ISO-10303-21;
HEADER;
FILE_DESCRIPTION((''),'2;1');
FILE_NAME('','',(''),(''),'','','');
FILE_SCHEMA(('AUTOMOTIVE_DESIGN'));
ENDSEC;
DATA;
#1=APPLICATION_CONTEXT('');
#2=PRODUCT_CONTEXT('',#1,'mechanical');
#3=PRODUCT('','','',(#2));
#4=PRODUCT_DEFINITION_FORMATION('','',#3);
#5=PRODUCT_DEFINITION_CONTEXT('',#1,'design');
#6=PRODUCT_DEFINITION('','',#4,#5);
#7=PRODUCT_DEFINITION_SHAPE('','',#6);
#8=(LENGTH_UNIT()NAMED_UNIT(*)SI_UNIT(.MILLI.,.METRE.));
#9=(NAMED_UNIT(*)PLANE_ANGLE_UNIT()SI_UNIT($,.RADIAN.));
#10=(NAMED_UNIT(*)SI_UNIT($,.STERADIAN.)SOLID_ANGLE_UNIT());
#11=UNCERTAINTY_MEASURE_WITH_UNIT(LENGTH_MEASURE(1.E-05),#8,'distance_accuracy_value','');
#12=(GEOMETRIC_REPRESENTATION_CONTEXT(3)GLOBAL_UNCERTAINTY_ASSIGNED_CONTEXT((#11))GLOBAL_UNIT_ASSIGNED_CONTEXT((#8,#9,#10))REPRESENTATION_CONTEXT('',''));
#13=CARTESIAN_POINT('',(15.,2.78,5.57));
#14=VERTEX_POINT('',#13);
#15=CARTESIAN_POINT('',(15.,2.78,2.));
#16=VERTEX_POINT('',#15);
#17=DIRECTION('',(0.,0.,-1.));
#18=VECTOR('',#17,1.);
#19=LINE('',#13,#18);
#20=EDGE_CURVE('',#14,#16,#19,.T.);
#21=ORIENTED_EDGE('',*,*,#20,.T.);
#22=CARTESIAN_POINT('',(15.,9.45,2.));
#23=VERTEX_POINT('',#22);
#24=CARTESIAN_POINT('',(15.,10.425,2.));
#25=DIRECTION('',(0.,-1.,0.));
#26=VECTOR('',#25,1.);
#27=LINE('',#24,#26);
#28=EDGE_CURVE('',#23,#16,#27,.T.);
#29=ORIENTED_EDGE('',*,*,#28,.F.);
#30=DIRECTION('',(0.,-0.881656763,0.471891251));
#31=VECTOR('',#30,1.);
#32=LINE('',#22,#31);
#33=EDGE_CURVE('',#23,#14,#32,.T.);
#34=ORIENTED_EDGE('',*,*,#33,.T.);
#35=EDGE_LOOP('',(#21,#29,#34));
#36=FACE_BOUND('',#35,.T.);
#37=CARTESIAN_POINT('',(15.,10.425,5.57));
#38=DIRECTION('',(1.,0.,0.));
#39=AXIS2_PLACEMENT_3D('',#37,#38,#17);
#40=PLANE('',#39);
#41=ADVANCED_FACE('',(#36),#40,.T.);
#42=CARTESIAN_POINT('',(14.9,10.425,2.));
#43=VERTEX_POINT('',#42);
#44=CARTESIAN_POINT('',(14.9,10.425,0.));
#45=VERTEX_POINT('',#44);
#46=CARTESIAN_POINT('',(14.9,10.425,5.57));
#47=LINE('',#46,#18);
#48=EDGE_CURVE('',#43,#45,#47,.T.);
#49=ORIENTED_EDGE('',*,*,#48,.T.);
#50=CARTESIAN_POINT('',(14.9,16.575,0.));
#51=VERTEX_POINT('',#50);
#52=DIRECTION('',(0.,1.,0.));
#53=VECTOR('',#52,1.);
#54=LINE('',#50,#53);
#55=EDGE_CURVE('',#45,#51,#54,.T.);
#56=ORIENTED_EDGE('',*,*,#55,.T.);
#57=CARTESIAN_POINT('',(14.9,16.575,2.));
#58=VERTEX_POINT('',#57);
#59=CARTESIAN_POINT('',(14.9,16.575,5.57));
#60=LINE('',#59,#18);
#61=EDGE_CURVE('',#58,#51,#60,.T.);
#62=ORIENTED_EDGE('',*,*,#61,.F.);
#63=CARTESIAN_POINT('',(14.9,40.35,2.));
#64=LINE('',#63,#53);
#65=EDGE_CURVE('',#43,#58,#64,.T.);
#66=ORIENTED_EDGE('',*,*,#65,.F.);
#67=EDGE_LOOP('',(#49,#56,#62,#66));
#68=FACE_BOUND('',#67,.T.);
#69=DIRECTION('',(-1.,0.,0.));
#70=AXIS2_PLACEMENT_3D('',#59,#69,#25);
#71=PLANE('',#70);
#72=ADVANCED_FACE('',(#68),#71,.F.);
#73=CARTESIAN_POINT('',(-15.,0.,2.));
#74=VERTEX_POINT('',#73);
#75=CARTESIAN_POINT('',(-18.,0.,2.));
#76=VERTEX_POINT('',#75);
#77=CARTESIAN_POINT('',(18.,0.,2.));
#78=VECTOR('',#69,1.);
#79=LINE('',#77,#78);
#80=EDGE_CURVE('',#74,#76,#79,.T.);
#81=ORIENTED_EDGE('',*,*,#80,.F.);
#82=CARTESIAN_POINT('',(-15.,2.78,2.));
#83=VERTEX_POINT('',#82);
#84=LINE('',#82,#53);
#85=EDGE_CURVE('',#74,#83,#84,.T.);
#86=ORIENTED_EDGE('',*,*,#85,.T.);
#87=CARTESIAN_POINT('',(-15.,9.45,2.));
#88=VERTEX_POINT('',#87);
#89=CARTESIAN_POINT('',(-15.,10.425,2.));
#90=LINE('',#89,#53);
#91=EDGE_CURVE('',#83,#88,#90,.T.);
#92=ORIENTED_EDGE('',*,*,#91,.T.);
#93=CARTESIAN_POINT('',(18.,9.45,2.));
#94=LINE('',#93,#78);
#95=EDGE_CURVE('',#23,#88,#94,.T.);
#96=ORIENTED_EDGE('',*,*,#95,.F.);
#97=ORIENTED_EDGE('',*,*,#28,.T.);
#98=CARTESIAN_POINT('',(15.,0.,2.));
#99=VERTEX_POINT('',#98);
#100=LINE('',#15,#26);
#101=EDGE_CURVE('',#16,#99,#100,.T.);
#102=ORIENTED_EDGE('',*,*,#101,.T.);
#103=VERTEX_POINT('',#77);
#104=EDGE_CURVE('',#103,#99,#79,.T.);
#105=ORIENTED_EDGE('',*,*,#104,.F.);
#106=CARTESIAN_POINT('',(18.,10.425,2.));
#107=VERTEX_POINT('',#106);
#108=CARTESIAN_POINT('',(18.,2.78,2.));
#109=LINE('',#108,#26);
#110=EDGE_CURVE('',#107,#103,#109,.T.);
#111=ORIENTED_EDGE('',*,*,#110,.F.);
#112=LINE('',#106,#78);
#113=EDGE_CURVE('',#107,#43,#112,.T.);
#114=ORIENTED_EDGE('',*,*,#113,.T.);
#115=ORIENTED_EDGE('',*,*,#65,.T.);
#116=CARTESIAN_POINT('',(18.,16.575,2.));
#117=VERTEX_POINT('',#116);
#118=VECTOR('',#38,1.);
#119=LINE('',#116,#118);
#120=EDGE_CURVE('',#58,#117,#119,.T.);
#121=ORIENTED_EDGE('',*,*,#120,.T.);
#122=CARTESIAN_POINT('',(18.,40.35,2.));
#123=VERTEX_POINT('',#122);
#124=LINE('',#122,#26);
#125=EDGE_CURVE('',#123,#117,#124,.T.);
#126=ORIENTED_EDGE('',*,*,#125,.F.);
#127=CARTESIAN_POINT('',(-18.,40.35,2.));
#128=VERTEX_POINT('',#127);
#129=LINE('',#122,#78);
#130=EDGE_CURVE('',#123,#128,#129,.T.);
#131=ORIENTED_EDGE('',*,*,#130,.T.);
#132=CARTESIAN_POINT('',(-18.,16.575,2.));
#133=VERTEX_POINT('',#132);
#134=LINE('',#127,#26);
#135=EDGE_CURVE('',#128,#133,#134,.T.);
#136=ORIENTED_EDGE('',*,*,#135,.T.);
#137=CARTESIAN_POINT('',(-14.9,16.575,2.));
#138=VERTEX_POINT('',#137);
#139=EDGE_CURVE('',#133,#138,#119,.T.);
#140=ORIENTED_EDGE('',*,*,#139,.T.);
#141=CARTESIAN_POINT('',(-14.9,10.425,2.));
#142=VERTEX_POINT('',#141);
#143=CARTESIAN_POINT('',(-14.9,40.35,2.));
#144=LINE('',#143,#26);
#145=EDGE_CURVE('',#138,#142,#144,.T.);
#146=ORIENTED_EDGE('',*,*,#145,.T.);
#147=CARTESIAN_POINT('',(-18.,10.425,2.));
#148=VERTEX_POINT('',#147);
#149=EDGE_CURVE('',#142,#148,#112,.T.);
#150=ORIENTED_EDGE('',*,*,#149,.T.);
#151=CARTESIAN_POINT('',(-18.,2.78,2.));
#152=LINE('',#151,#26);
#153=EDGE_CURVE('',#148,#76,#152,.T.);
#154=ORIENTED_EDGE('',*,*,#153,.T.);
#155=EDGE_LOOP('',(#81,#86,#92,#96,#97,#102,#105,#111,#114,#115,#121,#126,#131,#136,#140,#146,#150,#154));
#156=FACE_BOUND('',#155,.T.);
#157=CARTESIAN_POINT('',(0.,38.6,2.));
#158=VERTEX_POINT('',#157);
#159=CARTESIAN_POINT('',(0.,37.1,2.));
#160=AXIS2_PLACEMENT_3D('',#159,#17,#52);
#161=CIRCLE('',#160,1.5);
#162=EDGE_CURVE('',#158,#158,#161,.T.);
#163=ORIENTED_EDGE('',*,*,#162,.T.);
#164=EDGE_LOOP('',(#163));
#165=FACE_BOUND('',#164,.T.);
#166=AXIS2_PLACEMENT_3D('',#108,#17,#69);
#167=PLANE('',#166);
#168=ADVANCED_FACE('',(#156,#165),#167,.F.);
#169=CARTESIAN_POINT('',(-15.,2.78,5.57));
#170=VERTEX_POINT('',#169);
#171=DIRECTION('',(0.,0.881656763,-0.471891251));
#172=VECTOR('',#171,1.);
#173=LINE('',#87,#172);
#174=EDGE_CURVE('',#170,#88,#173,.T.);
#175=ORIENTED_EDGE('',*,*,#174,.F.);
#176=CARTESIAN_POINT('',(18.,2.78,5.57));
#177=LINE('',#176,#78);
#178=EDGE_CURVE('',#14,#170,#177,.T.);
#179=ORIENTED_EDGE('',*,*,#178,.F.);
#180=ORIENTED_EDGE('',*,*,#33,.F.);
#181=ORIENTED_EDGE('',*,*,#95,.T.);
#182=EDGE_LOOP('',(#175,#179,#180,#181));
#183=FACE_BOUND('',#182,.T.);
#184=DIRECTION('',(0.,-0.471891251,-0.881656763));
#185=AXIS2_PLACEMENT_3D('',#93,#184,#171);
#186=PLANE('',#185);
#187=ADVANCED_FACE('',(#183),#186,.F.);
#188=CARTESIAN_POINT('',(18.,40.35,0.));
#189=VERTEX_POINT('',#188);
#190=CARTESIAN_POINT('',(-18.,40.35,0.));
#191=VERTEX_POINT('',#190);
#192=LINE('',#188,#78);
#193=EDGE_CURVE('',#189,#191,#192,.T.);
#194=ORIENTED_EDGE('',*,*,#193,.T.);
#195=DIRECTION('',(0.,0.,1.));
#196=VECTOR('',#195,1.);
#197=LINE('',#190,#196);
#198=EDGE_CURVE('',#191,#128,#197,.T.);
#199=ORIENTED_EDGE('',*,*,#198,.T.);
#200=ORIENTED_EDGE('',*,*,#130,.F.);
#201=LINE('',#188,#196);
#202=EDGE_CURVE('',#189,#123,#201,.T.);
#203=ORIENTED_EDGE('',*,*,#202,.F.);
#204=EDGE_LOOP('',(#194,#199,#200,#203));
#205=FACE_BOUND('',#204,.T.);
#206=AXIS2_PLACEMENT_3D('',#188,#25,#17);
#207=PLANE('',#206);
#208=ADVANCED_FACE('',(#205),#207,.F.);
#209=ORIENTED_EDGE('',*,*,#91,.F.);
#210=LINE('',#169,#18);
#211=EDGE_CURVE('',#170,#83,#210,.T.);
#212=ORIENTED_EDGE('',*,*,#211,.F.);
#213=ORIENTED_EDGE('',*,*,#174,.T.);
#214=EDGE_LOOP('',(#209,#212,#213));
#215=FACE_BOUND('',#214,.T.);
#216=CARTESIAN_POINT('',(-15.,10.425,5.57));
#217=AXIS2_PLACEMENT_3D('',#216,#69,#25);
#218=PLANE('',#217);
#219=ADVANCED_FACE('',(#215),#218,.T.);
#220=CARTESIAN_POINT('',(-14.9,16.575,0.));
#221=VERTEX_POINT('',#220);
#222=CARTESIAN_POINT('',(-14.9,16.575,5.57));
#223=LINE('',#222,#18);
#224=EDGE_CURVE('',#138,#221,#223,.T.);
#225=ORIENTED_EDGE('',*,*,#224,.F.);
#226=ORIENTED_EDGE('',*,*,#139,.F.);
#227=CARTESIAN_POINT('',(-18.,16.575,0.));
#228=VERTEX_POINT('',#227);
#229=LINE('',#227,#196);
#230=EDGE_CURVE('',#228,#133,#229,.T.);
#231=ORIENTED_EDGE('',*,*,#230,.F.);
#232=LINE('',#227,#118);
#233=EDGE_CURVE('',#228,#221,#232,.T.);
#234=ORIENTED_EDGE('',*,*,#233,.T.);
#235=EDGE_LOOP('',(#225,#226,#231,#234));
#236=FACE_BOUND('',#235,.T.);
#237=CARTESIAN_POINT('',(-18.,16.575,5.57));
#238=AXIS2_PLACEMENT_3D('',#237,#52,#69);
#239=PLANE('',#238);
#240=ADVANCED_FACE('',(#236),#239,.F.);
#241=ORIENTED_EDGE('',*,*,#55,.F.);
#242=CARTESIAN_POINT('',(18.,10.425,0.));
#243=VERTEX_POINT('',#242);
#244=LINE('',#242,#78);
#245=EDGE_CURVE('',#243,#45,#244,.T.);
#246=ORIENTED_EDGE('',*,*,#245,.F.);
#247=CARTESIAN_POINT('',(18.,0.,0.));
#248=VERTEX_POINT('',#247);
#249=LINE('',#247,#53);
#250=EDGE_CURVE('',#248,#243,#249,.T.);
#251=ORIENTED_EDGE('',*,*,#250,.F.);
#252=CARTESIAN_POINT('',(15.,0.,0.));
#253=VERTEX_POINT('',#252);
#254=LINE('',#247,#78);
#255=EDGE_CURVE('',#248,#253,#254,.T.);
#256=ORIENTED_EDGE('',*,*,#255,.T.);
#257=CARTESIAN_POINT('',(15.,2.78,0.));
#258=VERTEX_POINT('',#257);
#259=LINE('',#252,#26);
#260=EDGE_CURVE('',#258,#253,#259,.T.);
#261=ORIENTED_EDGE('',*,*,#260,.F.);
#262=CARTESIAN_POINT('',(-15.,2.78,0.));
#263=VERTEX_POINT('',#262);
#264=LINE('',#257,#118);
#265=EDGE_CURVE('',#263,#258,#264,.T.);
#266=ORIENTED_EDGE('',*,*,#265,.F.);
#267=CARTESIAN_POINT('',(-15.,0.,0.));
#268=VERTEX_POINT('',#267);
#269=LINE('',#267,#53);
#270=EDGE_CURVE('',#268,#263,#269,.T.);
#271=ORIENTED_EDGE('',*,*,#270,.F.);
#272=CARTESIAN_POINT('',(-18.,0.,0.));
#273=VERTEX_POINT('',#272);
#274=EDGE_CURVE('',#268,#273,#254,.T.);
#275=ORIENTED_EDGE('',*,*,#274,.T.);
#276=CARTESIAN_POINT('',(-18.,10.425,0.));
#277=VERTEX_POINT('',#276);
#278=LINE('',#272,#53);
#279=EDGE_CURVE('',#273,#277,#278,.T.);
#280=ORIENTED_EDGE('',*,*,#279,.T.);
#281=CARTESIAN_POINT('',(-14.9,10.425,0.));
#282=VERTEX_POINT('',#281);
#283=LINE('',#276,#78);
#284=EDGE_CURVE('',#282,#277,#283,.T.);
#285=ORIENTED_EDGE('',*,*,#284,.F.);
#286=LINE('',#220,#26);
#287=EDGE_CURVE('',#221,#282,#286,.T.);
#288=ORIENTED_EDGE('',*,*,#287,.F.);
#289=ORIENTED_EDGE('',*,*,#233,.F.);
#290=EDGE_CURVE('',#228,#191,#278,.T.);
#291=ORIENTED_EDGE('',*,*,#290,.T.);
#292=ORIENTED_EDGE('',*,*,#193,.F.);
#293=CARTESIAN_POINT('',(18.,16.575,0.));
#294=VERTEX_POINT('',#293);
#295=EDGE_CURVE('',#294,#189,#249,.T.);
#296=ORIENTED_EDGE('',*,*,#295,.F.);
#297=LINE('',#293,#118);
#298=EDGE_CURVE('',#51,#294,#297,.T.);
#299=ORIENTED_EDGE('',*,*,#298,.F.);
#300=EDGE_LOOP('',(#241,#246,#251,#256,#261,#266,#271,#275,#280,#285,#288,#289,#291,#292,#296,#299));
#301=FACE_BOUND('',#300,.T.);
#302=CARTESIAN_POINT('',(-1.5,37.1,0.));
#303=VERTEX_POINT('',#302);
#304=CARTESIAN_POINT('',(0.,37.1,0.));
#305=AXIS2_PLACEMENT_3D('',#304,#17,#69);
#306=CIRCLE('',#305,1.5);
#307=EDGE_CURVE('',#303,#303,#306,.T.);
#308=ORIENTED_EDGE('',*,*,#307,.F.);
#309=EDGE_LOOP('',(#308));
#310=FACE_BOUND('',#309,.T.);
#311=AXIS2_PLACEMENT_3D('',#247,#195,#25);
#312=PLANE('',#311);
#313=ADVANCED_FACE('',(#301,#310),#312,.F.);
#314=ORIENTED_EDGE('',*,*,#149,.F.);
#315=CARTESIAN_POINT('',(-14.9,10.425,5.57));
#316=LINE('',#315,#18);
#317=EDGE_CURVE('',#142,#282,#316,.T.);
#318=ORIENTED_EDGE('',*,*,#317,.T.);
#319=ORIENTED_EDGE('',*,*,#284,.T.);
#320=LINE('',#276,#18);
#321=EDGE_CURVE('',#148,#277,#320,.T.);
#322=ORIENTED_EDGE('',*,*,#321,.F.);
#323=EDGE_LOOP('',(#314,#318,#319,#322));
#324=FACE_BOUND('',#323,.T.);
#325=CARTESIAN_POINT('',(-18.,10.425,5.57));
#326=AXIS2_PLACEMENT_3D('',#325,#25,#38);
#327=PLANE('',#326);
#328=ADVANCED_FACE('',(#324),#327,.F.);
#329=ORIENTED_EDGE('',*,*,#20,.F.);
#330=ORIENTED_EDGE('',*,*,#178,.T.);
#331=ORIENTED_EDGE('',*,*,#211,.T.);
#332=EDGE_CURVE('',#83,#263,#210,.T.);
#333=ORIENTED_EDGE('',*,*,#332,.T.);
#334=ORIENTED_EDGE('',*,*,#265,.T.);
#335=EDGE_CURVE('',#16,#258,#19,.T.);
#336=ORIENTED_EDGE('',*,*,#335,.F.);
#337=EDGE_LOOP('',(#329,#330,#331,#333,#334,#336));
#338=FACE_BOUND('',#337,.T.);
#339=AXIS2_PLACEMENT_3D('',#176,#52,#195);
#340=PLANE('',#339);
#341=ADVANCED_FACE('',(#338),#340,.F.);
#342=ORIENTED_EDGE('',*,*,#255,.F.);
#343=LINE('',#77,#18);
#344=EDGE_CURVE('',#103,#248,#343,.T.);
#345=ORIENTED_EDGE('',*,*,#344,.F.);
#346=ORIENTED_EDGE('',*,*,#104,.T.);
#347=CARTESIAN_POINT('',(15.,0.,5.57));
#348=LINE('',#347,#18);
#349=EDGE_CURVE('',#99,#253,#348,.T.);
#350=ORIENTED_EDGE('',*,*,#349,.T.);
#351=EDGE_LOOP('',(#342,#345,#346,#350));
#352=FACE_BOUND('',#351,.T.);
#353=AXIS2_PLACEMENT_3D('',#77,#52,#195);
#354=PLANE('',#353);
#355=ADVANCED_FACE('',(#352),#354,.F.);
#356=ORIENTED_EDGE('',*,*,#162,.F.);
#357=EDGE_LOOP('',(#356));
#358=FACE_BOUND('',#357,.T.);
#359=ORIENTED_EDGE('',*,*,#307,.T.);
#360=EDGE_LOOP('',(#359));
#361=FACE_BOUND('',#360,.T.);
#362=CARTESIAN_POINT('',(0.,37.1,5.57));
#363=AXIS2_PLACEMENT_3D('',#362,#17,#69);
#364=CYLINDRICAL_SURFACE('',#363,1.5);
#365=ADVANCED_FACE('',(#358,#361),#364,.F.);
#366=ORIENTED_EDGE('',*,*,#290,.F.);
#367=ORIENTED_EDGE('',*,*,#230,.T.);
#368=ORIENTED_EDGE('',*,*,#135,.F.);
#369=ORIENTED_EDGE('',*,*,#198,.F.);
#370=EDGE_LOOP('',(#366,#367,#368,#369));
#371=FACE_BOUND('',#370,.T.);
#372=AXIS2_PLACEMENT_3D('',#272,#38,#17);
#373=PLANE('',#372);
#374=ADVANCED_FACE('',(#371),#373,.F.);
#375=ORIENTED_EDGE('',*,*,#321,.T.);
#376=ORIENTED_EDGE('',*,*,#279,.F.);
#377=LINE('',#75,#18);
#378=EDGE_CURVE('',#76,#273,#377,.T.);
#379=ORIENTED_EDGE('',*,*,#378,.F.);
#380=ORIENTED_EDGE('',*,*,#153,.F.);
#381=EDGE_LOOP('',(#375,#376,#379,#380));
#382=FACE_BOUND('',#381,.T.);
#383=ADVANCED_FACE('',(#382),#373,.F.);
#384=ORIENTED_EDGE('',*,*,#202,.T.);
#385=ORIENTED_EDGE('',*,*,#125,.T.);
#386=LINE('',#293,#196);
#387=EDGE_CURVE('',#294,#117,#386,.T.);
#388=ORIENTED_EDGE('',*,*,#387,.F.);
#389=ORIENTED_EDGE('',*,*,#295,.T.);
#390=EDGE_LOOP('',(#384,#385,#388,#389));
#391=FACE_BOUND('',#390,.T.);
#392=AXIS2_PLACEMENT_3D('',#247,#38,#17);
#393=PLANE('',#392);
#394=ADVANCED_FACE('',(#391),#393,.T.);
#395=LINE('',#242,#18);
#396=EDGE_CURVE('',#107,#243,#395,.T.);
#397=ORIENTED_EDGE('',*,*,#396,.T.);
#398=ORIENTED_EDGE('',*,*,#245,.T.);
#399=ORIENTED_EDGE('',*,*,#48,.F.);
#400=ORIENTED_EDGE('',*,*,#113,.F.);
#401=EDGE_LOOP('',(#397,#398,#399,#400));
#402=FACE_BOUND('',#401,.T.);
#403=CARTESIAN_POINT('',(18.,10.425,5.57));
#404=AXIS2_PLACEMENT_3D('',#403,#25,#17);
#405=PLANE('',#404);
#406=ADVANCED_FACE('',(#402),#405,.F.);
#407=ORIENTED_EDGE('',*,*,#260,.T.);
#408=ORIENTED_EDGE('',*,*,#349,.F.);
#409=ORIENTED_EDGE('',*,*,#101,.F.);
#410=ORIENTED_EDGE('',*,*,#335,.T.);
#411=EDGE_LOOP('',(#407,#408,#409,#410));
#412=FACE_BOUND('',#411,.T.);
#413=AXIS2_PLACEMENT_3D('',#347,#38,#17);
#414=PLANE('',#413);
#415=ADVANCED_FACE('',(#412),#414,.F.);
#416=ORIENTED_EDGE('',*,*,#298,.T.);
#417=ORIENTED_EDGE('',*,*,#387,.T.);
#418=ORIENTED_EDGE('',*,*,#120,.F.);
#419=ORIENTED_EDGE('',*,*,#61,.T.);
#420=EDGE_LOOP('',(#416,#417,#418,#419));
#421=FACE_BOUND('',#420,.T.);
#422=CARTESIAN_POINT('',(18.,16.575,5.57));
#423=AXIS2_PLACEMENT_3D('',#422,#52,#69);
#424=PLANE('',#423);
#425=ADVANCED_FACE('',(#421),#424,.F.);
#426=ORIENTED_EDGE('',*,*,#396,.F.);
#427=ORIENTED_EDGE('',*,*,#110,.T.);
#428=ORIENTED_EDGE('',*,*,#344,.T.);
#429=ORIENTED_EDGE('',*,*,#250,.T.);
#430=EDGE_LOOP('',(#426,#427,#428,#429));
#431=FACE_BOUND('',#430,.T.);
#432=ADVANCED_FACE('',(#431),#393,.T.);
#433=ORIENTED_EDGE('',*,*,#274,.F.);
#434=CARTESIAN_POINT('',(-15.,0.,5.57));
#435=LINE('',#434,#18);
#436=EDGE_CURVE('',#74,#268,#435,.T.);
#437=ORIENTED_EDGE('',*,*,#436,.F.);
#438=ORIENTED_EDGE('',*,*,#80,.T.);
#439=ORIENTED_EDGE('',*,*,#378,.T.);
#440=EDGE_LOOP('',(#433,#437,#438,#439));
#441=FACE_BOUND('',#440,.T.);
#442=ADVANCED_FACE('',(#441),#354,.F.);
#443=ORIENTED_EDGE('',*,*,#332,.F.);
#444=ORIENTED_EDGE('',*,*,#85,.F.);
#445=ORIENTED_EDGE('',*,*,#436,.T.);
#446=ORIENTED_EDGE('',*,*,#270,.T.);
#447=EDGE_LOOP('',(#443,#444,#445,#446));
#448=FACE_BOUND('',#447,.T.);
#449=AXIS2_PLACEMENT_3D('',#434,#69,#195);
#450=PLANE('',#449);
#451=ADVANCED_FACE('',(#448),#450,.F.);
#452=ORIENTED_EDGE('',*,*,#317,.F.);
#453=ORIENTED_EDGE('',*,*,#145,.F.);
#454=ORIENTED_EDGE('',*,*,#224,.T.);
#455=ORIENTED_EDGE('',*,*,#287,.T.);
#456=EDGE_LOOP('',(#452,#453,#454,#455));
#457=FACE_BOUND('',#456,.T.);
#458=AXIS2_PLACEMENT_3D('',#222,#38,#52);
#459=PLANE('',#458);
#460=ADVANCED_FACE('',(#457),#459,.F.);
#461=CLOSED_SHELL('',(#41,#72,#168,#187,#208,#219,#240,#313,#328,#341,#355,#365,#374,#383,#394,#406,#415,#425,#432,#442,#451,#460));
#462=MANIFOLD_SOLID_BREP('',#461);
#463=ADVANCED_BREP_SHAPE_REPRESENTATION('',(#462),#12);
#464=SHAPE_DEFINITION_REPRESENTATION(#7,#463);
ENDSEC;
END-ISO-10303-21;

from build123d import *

# Parameters (mm, degrees)
BOSS_EXTRUDE1_DEPTH = 18
SKETCH2_R           = 1.5
SKETCH2_W           = 30
SKETCH2_H           = 2.78
CUT_EXTRUDE1_DEPTH  = 6.57
SKETCH3_W           = 3.1
SKETCH3_H           = 6.15
CUT_EXTRUDE2_DEPTH  = 6.57
SKETCH4_W           = 3
SKETCH4_H           = 7.645
CUT_EXTRUDE3_DEPTH  = 4.57


with BuildPart() as part:
    # Sketch1 → Boss-Extrude1 (new body, symmetric)
    with BuildSketch(Plane(origin=(0, 0, 0), x_dir=(0, 0, -1), z_dir=(1, 0, 0))):
        Polygon((0, 0), (0, 40.35), (-2, 40.35), (-2, 9.45), (-5.57, 2.78), (-2, 2.78), (-2, 0), align=None)
    extrude(amount=BOSS_EXTRUDE1_DEPTH, both=True)

    # Sketch2 → Cut-Extrude1 (cut, through all)
    with BuildSketch(Plane(origin=(0, 0, 0), x_dir=(-1, 0, 0), z_dir=(0, 0, -1))):
        with Locations((0, 37.1)):
            Circle(SKETCH2_R)
        with Locations((0, 1.39)):
            Rectangle(SKETCH2_W, SKETCH2_H)
    extrude(amount=-CUT_EXTRUDE1_DEPTH, mode=Mode.SUBTRACT)

    # Sketch3 → Cut-Extrude2 (cut, through all)
    with BuildSketch(Plane(origin=(0, 0, 0), x_dir=(-1, 0, 0), z_dir=(0, 0, -1))):
        with Locations((-16.45, 13.5)):
            Rectangle(SKETCH3_W, SKETCH3_H)
        with Locations((16.45, 13.5)):
            Rectangle(SKETCH3_W, SKETCH3_H)
    extrude(amount=-CUT_EXTRUDE2_DEPTH, mode=Mode.SUBTRACT)

    # Sketch4 → Cut-Extrude3 (cut, through all)
    with BuildSketch(Plane.XY.offset(2)):
        with Locations((-16.5, 6.6025)):
            Rectangle(SKETCH4_W, SKETCH4_H)
        with Locations((16.5, 6.6025)):
            Rectangle(SKETCH4_W, SKETCH4_H)
    extrude(amount=CUT_EXTRUDE3_DEPTH, mode=Mode.SUBTRACT)


solid = part.part
